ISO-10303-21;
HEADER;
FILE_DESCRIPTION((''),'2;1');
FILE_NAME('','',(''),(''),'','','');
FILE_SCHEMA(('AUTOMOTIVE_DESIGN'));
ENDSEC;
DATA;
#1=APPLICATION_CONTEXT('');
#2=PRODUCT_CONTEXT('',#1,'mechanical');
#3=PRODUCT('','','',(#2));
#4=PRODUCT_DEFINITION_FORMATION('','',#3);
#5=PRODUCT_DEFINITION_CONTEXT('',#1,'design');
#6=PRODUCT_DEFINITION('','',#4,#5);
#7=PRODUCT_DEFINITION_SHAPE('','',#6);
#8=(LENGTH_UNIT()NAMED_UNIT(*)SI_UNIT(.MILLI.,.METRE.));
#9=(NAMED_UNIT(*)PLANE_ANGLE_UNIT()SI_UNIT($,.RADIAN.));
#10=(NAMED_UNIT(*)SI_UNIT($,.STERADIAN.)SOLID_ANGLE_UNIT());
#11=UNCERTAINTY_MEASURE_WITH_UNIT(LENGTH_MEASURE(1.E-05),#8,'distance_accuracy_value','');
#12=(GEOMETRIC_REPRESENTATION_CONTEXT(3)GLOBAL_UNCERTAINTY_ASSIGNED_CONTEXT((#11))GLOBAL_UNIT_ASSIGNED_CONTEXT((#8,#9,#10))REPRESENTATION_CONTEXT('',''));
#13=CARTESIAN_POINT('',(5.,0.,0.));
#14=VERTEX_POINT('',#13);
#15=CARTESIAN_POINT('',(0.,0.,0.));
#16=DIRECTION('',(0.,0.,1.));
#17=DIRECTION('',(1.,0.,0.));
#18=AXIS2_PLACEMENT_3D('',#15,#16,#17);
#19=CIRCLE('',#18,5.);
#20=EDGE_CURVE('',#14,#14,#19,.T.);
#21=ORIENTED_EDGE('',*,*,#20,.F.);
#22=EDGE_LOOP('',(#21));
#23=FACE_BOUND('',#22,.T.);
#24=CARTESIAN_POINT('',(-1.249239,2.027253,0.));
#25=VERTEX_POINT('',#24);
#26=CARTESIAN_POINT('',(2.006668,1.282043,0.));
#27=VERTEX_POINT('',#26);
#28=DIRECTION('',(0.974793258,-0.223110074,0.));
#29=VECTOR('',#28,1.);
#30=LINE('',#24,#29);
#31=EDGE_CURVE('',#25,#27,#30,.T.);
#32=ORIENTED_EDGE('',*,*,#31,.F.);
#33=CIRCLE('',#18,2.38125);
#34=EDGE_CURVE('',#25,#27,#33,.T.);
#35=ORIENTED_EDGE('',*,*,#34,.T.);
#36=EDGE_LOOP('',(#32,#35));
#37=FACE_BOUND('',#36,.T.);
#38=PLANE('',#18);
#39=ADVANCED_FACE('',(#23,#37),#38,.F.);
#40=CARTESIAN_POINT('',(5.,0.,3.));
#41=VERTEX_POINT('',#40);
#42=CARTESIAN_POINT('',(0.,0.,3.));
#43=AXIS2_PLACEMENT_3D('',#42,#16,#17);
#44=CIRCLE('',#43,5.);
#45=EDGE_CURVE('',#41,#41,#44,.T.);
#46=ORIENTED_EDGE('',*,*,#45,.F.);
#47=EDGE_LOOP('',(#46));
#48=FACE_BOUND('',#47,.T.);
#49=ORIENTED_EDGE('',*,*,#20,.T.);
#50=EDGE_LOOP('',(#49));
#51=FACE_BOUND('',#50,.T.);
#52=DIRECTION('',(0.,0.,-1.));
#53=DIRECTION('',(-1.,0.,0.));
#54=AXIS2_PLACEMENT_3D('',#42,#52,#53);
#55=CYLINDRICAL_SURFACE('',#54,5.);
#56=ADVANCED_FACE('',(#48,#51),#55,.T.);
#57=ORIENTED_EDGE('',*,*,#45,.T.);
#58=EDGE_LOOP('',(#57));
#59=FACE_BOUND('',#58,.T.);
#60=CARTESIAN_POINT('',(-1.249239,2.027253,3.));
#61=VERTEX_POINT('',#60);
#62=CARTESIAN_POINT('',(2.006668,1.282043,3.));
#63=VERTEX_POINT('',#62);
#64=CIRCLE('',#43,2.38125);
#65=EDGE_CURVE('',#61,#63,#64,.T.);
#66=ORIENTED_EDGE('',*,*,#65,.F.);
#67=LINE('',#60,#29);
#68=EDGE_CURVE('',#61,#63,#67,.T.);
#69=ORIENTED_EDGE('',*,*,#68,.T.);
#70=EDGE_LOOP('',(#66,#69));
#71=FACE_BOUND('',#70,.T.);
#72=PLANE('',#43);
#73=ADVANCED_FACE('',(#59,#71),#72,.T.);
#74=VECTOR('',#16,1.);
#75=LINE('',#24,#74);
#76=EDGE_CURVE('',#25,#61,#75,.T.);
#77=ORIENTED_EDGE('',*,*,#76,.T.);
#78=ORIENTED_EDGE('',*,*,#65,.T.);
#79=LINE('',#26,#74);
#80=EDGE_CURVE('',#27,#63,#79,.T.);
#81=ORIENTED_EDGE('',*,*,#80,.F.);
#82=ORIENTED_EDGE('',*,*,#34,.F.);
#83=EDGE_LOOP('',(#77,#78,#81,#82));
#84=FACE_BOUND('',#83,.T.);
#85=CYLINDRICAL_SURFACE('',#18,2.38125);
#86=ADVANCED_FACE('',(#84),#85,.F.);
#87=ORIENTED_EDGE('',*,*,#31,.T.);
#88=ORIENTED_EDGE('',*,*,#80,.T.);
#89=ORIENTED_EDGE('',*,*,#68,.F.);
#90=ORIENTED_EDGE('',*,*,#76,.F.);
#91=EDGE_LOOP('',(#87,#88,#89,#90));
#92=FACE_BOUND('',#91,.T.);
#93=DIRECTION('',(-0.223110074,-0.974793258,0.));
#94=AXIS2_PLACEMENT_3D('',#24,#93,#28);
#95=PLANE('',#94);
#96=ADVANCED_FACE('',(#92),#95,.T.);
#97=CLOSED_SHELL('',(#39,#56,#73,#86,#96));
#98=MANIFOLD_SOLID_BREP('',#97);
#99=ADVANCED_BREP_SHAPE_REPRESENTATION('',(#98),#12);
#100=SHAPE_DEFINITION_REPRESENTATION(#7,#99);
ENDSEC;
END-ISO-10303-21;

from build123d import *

# Parameters (mm, degrees)
SKETCH1_R           = 5
BOSS_EXTRUDE1_DEPTH = 3
CUT_EXTRUDE1_DEPTH  = 3


with BuildPart() as part:
    # Sketch1 → Boss-Extrude1 (new body)
    with BuildSketch(Plane.XY):
        Circle(SKETCH1_R)
    extrude(amount=BOSS_EXTRUDE1_DEPTH)

    # Sketch2 → Cut-Extrude1 (cut)
    with BuildSketch(Plane.XY.offset(3)):
        with BuildLine():
            Line((-1.249238699, 2.027252879), (2.006668261, 1.282042922))
            ThreePointArc((2.006668261, 1.282042922), (-0.531280863, -2.321226445), (-1.249238699, 2.027252879))
        make_face()
    extrude(amount=-CUT_EXTRUDE1_DEPTH, mode=Mode.SUBTRACT)


solid = part.part
